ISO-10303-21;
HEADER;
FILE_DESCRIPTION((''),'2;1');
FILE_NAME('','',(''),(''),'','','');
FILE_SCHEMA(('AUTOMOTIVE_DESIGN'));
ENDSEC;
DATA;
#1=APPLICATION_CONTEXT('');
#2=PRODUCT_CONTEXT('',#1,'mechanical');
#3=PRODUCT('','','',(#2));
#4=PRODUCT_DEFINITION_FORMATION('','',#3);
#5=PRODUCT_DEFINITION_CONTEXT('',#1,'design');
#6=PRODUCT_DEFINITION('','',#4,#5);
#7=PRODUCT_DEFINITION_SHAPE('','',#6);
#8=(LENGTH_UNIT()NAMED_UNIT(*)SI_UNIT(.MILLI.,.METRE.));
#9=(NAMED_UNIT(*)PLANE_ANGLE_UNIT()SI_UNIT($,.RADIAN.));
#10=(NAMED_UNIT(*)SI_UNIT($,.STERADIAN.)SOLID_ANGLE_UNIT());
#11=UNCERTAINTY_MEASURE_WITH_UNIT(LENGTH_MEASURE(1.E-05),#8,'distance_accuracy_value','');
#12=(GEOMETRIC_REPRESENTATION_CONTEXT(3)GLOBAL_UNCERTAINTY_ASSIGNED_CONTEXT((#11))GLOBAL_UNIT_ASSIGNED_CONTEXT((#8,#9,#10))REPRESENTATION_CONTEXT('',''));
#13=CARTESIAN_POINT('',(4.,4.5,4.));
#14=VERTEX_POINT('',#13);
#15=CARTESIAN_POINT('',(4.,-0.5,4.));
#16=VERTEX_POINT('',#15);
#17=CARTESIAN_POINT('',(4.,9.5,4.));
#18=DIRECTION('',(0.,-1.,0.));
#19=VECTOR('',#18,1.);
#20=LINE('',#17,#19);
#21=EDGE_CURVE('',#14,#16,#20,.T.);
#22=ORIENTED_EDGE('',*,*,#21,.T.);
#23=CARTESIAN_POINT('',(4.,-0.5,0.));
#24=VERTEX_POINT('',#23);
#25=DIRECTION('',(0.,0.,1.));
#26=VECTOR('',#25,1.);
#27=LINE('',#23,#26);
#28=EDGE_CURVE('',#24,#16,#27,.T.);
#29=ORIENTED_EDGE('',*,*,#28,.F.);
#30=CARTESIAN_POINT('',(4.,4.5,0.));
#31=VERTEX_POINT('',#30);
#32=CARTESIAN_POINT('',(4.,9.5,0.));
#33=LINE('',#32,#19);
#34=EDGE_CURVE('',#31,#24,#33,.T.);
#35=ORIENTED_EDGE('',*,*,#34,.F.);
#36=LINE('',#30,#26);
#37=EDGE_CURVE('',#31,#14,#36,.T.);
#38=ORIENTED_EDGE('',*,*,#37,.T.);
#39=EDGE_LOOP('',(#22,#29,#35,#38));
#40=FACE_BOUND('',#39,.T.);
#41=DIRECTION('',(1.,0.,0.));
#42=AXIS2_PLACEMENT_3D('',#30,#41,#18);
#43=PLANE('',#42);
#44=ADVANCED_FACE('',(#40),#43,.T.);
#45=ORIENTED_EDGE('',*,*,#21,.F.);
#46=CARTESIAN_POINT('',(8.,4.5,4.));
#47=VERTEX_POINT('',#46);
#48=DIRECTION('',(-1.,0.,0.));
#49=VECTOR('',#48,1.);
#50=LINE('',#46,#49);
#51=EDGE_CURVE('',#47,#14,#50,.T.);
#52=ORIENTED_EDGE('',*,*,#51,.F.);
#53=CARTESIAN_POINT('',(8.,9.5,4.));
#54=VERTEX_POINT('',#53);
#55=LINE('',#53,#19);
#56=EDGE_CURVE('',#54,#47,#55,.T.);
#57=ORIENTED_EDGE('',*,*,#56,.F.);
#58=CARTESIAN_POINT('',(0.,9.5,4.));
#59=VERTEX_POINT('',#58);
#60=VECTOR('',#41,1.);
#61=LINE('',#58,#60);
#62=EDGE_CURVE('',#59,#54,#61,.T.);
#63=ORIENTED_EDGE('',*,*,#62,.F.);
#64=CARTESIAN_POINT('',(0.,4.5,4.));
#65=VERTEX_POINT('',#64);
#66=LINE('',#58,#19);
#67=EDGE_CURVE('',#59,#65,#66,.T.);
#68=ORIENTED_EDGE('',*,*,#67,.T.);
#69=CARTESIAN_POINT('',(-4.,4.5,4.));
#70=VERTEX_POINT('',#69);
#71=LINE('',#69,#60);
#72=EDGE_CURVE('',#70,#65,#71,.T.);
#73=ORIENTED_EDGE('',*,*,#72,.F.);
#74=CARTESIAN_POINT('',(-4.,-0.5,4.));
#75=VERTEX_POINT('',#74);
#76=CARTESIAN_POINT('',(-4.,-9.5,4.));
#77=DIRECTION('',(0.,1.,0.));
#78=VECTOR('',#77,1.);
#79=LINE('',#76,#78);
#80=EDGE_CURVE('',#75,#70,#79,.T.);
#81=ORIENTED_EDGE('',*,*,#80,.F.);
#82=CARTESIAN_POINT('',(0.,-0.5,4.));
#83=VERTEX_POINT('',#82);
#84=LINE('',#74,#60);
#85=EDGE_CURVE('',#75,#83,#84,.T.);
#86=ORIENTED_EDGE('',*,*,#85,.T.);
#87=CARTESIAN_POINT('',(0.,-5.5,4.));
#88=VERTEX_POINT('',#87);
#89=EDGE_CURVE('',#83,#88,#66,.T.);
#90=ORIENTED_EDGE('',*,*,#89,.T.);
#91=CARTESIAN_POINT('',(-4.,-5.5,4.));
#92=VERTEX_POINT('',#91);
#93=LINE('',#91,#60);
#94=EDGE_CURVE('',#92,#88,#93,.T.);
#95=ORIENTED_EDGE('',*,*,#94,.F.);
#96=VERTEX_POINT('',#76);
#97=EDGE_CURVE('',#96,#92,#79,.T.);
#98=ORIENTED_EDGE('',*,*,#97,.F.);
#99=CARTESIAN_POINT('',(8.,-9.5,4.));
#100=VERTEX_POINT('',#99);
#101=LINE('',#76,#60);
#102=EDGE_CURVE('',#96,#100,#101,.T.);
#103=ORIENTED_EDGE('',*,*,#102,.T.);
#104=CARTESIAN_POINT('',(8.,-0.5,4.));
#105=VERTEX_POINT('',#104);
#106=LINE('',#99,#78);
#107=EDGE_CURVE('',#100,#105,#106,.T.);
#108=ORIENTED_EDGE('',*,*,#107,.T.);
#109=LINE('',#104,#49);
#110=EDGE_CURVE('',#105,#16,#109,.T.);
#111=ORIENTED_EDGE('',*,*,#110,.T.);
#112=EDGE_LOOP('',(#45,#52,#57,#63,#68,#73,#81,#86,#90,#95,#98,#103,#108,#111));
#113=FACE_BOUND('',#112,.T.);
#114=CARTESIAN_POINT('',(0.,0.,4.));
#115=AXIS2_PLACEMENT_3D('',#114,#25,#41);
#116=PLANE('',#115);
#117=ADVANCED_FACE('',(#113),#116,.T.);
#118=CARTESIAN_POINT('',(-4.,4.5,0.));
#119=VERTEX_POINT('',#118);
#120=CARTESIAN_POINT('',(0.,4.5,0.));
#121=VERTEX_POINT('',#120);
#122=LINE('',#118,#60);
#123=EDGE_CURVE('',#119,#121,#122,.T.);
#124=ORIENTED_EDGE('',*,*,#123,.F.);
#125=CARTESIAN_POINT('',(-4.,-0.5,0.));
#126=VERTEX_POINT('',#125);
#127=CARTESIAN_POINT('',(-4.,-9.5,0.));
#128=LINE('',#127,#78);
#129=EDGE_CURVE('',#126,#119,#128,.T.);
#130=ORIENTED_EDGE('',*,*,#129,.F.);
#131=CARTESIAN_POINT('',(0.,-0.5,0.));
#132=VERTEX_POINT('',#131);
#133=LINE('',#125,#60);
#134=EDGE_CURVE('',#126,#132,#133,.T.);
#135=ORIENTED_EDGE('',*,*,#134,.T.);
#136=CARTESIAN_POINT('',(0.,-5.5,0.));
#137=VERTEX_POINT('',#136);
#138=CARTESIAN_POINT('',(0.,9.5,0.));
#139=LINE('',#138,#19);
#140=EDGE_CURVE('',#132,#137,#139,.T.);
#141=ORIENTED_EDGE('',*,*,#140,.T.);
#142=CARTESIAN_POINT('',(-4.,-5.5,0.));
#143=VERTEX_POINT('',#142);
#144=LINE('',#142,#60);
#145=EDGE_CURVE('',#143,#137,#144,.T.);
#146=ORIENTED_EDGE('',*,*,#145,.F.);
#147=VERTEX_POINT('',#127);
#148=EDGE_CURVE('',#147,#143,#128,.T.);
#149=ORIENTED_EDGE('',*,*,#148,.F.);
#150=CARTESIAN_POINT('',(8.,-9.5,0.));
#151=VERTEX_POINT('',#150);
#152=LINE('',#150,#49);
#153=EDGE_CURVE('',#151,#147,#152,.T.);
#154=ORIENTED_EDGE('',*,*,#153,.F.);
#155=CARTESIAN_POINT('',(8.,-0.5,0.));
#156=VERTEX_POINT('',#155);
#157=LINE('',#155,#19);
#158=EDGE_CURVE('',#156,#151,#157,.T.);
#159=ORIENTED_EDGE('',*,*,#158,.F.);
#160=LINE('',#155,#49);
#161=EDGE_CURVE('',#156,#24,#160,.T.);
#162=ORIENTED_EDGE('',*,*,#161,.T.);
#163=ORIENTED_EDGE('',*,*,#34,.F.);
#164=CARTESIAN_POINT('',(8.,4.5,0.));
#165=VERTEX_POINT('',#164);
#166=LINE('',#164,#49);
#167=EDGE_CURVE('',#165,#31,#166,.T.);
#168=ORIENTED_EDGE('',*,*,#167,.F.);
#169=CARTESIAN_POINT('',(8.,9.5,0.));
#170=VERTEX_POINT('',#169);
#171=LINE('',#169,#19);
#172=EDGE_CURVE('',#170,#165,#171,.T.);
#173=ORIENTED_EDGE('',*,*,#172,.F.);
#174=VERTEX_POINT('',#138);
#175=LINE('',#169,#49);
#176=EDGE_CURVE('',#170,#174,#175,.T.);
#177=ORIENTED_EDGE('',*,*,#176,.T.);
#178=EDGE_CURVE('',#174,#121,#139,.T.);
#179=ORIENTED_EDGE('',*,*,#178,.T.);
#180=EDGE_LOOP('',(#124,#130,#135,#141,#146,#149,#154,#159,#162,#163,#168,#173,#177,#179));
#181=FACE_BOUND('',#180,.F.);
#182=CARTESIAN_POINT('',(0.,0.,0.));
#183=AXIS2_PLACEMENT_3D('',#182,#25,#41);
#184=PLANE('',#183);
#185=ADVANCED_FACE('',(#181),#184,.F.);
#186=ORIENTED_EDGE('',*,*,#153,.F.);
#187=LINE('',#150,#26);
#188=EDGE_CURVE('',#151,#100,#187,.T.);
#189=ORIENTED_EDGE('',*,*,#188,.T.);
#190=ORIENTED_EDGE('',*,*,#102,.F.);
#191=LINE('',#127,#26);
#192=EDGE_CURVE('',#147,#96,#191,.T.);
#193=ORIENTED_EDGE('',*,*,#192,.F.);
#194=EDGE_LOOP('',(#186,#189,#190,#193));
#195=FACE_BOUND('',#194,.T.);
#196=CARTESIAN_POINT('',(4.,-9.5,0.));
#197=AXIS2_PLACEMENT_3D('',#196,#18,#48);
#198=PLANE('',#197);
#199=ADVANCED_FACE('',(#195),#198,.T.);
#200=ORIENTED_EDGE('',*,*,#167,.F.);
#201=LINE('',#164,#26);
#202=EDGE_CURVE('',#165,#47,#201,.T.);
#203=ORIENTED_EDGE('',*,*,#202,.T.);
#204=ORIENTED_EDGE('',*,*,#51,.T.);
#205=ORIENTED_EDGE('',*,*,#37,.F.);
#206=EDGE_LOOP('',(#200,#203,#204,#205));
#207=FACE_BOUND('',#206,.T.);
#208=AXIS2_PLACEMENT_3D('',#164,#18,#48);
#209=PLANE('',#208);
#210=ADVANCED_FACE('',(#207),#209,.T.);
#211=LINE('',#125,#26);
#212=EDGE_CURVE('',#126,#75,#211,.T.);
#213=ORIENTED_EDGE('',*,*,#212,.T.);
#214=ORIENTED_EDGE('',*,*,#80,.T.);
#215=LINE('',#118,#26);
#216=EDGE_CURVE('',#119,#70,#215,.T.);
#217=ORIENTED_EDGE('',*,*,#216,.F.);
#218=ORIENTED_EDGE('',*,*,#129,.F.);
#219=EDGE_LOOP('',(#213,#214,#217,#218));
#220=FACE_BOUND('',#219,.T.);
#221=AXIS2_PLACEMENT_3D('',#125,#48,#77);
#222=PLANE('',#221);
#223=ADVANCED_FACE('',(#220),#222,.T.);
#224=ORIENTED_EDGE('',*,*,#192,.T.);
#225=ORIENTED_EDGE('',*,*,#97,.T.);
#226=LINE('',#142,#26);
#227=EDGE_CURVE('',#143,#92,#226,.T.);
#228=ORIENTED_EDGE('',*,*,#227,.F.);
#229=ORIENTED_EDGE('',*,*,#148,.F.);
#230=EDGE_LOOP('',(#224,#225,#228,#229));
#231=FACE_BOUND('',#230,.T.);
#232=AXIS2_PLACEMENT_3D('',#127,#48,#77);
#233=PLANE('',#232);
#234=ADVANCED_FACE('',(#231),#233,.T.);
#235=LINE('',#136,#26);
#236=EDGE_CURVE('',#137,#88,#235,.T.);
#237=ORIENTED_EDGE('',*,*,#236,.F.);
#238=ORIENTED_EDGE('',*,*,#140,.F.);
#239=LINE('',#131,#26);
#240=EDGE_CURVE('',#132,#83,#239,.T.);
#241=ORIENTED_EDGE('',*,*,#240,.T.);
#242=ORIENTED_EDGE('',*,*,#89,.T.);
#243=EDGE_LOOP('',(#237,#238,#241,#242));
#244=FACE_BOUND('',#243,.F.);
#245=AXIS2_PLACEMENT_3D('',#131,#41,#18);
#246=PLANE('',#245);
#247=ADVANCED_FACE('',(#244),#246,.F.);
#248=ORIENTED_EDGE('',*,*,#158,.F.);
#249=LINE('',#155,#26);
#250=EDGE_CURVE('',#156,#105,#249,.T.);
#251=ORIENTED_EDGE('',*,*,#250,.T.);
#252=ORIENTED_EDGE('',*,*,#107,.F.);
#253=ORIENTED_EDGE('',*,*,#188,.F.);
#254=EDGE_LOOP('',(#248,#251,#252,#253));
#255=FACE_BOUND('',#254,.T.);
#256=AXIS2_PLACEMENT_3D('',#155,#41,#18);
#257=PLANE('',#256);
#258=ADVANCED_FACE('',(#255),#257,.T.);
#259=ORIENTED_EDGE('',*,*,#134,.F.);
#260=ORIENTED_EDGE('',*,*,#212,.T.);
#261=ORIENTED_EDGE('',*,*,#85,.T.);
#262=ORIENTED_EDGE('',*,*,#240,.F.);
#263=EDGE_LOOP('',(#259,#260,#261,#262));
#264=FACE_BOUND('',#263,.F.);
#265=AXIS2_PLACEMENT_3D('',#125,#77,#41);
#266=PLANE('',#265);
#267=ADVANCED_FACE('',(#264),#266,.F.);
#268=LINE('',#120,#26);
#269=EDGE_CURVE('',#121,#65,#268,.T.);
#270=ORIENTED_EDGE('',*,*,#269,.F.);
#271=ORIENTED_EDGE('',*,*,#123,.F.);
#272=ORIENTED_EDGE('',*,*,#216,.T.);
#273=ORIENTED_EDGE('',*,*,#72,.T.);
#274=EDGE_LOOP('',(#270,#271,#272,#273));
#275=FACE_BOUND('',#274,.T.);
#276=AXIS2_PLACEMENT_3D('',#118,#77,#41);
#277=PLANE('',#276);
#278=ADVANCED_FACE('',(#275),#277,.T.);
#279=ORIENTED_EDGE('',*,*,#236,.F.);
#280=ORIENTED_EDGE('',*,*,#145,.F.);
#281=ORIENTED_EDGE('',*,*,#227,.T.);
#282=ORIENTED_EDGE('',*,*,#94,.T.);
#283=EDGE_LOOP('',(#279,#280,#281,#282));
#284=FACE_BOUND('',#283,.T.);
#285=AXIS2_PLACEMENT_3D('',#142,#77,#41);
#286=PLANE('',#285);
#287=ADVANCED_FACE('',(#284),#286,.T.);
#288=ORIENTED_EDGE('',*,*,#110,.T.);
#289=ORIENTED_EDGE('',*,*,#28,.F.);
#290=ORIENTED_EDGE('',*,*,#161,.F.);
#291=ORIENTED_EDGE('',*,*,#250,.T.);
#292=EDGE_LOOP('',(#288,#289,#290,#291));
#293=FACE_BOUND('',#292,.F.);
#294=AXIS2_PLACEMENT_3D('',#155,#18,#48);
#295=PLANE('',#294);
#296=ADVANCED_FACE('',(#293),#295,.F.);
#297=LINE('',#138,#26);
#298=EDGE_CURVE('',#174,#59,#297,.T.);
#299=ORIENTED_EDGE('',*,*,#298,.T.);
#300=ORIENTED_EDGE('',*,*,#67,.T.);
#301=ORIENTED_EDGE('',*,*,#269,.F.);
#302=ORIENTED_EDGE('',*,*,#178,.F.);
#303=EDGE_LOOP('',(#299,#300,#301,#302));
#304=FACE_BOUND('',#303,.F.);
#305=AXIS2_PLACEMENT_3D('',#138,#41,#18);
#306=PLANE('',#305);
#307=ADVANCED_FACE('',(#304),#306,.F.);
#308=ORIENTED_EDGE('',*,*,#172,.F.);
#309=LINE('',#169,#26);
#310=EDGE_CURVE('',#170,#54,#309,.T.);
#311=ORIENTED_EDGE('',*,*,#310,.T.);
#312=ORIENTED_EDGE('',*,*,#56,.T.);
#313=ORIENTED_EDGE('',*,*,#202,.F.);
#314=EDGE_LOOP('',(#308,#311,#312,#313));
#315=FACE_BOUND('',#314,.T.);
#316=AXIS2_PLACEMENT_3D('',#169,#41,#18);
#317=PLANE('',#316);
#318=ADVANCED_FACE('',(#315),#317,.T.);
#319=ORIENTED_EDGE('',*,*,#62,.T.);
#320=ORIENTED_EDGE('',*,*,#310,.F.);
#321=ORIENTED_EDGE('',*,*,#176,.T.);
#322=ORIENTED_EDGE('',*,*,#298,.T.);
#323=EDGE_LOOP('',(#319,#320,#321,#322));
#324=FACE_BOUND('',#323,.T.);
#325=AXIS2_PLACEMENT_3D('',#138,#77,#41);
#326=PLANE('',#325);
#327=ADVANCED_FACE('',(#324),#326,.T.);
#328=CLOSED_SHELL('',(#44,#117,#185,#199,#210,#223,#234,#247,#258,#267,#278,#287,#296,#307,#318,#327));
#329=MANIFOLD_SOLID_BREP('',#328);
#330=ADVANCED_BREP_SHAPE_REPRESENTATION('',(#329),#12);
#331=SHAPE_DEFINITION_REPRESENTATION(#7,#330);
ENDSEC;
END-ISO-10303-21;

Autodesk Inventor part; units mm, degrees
ref_plane "YZ Plane" through (0, 0, 0) normal (1, 0, 0) x (0, 1, 0)
ref_plane "XZ Plane" through (0, 0, 0) normal (0, 1, 0) x (-1, 0, 0)
ref_plane "XY Plane" through (0, 0, 0) normal (0, 0, 1) x (1, 0, 0)
sketch "Sketch1" plane through (0, 0, 0) normal (0, 0, 1) x (1, 0, 0)
  line L0 (-4, 9.5) -> (4, 9.5)
  line L1 (4, 9.5) -> (4, -9.5)
  line L2 (4, -9.5) -> (-4, -9.5)
  line L3 (-4, -9.5) -> (-4, 9.5)
  line L4 (-4, 9.5) -> (4, -9.5) construction
  line L5 (4, 9.5) -> (-4, -9.5) construction
  line L6 (4, 9.5) -> (8, 9.5)
  line L7 (8, 9.5) -> (8, 4.5)
  line L8 (8, 4.5) -> (4, 4.5)
  line L9 (4, 4.5) -> (4, 9.5)
  line L10 (8, -0.5) -> (4, -0.5)
  line L11 (8, 4.5) -> (8, -0.5)
  line L12 (8, -5.5) -> (4, -5.5)
  line L13 (8, -0.5) -> (8, -5.5)
  line L14 (2, 14.112) -> (2, 5.4586)
  line L15 (0, 9.5) -> (0, -9.5)
  line L16 (0, 9.5) -> (-4, 9.5)
  line L17 (-4, 9.5) -> (-4, 4.5)
  line L18 (-4, 4.5) -> (0, 4.5)
  line L19 (-4, -0.5) -> (0, -0.5)
  line L20 (-4, 4.5) -> (-4, -0.5)
  line L21 (-4, -0.5) -> (-4, -9.5)
  line L22 (-4, -5.5) -> (0, -5.5)
  line L23 (4, -5.5) -> (8, -5.5)
  line L24 (8, -5.5) -> (8, -9.5)
  line L25 (8, -9.5) -> (4, -9.5)
  line L26 (4, -9.5) -> (4, -5.5)
  point P0 (0, 0)
  point P1 (0, 4.5)
  point P2 (-4, 4.5)
  point P3 (-4, -0.5)
  point P4 (4, -7)
  point P5 (8, -0.5)
  point P6 (0, 9.5)
  point P7 (8, 4.5)
  point P8 (4, -5.5)
  point P9 (0, -5.5)
  point P10 (-4, -5.5)
  dimension "d0" = 8
  dimension "d1" = 19
  dimension "d2" = 4
  dimension "d3" = 5
  dimension "d6" = 5
  dimension "d11" = 12
  dimension "d12" = 6
extrude "Extrusion1" add sketch "Sketch1" along normal blind 4 contours L0 L1 L2 L15 | L18 L15 L19 L3 | L6 L7 L8 L1 | L22 L15 L2 L3 | L10 L13 L12 L1 | L12 L24 L25 L1
sketch "Sketch2" plane through (0, 0, 4) normal (0, 0, 1) x (1, 0, 0)
  line L0 (0, -5.5) -> (-4, -5.5) projected
  line L1 (-4, -5.5) -> (-4, -9.5) projected
  line L2 (-4, -9.5) -> (8, -9.5) projected
  line L3 (8, -9.5) -> (8, -0.5) projected
  line L4 (8, -0.5) -> (4, -0.5) projected
  line L5 (4, -0.5) -> (4, 4.5) projected
  line L6 (4, 4.5) -> (8, 4.5) projected
  line L7 (8, 4.5) -> (8, 9.5) projected
  line L8 (8, 9.5) -> (0, 9.5) projected
  line L9 (0, 9.5) -> (0, 4.5) projected
  line L10 (0, 4.5) -> (-4, 4.5) projected
  line L11 (-4, 4.5) -> (-4, -0.5) projected
  line L12 (-4, -0.5) -> (0, -0.5) projected
  line L13 (0, -0.5) -> (0, -5.5) projected
  point P0 (0, 0)
equation "\"d1\" = height + e"
equation "\"d2\" = e"
equation "\"d3\" = 0.333333 * height"
equation "\"d6\" = d3"
equation "\"d12\" = 0.5 * d11"
equation "\"d13\" = e"
equation "\"e\" = 4"
equation "\"height\" = 15"
properties part number "wall2" material "MDF Medium Density Fiberboard"
